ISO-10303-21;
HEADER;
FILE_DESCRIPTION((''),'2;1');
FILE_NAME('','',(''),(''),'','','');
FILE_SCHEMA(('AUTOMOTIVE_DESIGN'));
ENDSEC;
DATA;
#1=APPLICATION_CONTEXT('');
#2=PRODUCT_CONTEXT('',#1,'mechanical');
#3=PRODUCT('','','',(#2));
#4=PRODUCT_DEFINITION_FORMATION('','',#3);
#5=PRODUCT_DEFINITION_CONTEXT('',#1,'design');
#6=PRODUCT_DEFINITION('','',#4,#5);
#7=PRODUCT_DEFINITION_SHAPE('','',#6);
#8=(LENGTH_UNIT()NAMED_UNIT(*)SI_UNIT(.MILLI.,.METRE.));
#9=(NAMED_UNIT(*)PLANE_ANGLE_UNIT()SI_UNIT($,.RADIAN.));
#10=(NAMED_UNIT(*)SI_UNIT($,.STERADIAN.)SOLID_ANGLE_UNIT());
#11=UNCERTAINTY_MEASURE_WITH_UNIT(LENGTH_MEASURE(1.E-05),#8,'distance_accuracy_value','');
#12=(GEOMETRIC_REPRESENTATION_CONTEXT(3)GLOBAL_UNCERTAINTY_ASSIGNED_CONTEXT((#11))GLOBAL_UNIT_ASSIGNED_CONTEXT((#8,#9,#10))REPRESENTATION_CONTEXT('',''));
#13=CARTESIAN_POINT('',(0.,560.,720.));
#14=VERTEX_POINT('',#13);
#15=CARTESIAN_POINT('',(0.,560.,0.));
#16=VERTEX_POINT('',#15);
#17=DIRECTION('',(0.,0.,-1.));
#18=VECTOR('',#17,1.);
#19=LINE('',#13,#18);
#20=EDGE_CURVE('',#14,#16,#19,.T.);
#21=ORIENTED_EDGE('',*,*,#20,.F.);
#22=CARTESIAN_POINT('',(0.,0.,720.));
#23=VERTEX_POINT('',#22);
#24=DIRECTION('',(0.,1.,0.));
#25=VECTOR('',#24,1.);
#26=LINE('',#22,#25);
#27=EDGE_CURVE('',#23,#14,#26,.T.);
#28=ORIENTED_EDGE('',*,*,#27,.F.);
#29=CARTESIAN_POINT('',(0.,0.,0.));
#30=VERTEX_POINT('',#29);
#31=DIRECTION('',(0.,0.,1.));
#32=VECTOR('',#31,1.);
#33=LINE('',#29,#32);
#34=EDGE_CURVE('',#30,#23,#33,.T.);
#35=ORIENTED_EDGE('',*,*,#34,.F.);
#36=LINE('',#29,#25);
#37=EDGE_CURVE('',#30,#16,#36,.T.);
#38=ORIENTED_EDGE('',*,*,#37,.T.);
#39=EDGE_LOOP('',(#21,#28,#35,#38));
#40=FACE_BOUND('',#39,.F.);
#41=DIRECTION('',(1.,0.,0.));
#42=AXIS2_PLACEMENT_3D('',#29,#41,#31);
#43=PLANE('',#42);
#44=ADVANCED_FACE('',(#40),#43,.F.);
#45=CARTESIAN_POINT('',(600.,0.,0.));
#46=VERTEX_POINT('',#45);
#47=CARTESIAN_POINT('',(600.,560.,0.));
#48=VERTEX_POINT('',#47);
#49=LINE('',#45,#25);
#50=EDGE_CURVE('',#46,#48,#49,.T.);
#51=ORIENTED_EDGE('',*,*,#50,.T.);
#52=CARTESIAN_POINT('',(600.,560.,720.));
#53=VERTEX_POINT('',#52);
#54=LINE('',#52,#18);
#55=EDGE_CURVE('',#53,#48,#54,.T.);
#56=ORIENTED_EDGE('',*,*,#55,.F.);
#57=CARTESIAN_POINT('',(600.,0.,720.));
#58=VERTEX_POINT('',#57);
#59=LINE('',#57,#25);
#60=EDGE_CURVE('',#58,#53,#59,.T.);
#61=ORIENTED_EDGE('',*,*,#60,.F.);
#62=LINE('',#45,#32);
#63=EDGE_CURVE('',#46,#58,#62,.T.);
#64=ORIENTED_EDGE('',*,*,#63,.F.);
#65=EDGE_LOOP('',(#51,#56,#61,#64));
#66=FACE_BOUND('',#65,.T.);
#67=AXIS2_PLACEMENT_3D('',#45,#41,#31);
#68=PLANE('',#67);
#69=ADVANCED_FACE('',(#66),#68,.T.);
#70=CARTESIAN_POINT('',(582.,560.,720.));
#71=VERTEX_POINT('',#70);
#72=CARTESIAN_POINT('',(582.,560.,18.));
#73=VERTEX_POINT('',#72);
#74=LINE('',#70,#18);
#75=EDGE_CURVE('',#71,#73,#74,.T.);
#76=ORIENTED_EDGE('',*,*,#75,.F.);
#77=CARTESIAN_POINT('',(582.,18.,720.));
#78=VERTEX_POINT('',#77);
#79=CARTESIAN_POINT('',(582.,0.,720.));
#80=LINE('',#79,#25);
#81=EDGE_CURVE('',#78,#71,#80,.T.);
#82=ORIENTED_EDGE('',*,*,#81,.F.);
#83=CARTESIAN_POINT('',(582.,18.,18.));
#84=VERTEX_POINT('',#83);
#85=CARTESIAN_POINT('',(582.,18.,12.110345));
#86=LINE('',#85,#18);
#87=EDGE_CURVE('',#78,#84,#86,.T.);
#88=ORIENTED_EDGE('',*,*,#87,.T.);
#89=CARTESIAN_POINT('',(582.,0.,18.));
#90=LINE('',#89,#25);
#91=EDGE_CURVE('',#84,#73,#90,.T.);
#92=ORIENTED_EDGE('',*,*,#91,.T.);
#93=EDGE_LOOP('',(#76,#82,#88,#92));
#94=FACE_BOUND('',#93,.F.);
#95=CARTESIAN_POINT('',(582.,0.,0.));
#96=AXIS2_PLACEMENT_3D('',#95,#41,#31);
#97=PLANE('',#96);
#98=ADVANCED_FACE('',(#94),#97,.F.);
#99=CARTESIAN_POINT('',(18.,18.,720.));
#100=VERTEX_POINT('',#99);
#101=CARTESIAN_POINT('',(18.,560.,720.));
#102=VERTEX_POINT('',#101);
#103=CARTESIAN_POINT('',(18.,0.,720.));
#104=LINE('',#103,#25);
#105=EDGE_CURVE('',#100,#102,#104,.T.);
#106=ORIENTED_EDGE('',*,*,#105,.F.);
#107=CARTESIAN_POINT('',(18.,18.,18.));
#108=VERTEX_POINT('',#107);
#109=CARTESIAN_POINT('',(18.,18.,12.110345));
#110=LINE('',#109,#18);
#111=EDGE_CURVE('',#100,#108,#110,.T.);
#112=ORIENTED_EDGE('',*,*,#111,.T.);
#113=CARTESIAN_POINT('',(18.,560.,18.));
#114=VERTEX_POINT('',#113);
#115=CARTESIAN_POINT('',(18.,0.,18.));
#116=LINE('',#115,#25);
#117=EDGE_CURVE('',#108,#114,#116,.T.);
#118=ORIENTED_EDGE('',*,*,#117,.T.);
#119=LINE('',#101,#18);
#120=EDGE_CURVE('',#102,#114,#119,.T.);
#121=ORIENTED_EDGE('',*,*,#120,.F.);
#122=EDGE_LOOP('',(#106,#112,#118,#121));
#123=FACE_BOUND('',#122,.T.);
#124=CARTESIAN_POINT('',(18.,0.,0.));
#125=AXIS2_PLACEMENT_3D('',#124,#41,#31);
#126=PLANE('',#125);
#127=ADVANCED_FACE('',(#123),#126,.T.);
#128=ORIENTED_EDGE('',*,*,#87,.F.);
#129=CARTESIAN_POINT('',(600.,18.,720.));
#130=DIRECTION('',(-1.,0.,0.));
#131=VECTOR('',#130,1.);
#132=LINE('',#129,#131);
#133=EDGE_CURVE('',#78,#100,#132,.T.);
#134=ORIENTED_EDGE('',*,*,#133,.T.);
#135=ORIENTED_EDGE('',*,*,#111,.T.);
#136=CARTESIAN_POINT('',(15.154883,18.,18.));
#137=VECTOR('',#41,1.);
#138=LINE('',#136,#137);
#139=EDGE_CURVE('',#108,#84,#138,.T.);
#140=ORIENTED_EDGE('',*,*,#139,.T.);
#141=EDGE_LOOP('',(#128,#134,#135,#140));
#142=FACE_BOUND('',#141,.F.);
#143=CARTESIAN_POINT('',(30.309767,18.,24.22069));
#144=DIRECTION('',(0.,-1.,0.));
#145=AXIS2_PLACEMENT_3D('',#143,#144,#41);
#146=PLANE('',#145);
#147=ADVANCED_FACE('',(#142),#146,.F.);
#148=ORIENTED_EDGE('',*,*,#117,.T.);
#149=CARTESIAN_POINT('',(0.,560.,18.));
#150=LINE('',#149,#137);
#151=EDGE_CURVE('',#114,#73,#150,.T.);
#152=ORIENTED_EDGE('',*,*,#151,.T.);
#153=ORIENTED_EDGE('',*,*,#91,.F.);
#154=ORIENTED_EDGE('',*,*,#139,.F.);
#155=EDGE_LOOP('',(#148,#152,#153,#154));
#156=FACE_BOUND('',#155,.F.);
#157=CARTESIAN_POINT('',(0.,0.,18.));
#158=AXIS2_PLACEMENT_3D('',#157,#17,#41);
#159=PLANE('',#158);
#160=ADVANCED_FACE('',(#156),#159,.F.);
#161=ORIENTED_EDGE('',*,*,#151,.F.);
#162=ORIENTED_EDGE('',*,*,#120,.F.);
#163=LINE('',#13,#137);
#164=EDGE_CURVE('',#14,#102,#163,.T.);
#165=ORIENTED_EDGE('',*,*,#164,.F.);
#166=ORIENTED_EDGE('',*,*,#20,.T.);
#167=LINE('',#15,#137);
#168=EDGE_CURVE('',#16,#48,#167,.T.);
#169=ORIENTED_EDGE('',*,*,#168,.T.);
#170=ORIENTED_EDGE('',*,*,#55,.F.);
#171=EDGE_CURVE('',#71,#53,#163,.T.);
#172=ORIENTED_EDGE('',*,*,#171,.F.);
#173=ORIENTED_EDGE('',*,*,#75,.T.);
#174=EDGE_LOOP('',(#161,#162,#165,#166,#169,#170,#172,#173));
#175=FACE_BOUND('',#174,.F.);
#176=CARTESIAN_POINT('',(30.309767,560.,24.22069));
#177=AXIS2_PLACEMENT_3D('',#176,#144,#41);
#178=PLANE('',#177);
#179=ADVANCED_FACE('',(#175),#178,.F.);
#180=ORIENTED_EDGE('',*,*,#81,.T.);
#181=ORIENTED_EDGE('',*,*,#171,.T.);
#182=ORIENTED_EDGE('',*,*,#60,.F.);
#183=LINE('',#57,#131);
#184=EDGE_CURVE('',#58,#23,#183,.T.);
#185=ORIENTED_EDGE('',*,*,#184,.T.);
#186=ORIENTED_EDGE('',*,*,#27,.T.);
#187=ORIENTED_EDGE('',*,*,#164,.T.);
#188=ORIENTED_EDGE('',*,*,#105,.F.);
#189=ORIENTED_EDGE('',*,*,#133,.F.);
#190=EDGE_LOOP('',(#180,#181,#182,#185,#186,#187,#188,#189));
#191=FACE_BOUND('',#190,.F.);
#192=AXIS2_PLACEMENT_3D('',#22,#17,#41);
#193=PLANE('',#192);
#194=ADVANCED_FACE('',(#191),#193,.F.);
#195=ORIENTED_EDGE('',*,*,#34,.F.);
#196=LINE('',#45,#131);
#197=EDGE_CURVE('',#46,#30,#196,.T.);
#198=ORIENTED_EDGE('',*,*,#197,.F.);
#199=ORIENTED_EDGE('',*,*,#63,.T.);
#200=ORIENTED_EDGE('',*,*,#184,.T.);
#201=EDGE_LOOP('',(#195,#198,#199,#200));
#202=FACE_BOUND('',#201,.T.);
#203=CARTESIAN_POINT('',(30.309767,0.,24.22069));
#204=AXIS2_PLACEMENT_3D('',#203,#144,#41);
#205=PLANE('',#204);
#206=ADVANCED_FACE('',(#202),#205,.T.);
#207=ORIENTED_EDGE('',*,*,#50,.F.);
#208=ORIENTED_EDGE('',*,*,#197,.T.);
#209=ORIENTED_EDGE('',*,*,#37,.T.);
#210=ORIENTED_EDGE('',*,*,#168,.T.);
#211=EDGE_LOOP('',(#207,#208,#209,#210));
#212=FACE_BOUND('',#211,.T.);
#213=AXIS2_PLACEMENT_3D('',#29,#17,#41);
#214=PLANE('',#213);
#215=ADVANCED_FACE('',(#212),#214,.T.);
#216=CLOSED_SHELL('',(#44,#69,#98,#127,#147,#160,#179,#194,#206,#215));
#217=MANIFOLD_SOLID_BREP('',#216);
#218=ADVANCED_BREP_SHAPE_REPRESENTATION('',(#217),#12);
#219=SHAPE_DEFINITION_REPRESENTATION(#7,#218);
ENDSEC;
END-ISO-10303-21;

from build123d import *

# Parameters (mm, degrees)
F0_W     = 60.619533062
F0_H     = 48.4413802624
F1_DEPTH = 560
F2_DEPTH = 600
F3_DEPTH = 720
F4_T     = -18


with BuildPart() as f1:
    # F0 (on Front) → F1 (new body)
    with BuildSketch(Plane.XZ):
        with Locations((30.309766531, 24.2206901312)):
            Rectangle(F0_W, F0_H)
    extrude(amount=-F1_DEPTH)

    # F2 (add): a face of the model
    f2_faces = [f1.faces().sort_by_distance(p)[0] for p in [
        (0, 280, 24.2206901312),
    ]]
    extrude(f2_faces, amount=-F2_DEPTH)

    # F3 (add): a face of the model
    f3_faces = [f1.faces().sort_by_distance(p)[0] for p in [
        (300, 280, 0),
    ]]
    extrude(f3_faces, amount=-F3_DEPTH)

    # F4
    f4_openings = [f1.faces().sort_by_distance(p)[0] for p in [
        (300, 560, 360),
        (300, 280, 720),
    ]]
    offset(amount=F4_T, openings=f4_openings)


solid = f1.part
